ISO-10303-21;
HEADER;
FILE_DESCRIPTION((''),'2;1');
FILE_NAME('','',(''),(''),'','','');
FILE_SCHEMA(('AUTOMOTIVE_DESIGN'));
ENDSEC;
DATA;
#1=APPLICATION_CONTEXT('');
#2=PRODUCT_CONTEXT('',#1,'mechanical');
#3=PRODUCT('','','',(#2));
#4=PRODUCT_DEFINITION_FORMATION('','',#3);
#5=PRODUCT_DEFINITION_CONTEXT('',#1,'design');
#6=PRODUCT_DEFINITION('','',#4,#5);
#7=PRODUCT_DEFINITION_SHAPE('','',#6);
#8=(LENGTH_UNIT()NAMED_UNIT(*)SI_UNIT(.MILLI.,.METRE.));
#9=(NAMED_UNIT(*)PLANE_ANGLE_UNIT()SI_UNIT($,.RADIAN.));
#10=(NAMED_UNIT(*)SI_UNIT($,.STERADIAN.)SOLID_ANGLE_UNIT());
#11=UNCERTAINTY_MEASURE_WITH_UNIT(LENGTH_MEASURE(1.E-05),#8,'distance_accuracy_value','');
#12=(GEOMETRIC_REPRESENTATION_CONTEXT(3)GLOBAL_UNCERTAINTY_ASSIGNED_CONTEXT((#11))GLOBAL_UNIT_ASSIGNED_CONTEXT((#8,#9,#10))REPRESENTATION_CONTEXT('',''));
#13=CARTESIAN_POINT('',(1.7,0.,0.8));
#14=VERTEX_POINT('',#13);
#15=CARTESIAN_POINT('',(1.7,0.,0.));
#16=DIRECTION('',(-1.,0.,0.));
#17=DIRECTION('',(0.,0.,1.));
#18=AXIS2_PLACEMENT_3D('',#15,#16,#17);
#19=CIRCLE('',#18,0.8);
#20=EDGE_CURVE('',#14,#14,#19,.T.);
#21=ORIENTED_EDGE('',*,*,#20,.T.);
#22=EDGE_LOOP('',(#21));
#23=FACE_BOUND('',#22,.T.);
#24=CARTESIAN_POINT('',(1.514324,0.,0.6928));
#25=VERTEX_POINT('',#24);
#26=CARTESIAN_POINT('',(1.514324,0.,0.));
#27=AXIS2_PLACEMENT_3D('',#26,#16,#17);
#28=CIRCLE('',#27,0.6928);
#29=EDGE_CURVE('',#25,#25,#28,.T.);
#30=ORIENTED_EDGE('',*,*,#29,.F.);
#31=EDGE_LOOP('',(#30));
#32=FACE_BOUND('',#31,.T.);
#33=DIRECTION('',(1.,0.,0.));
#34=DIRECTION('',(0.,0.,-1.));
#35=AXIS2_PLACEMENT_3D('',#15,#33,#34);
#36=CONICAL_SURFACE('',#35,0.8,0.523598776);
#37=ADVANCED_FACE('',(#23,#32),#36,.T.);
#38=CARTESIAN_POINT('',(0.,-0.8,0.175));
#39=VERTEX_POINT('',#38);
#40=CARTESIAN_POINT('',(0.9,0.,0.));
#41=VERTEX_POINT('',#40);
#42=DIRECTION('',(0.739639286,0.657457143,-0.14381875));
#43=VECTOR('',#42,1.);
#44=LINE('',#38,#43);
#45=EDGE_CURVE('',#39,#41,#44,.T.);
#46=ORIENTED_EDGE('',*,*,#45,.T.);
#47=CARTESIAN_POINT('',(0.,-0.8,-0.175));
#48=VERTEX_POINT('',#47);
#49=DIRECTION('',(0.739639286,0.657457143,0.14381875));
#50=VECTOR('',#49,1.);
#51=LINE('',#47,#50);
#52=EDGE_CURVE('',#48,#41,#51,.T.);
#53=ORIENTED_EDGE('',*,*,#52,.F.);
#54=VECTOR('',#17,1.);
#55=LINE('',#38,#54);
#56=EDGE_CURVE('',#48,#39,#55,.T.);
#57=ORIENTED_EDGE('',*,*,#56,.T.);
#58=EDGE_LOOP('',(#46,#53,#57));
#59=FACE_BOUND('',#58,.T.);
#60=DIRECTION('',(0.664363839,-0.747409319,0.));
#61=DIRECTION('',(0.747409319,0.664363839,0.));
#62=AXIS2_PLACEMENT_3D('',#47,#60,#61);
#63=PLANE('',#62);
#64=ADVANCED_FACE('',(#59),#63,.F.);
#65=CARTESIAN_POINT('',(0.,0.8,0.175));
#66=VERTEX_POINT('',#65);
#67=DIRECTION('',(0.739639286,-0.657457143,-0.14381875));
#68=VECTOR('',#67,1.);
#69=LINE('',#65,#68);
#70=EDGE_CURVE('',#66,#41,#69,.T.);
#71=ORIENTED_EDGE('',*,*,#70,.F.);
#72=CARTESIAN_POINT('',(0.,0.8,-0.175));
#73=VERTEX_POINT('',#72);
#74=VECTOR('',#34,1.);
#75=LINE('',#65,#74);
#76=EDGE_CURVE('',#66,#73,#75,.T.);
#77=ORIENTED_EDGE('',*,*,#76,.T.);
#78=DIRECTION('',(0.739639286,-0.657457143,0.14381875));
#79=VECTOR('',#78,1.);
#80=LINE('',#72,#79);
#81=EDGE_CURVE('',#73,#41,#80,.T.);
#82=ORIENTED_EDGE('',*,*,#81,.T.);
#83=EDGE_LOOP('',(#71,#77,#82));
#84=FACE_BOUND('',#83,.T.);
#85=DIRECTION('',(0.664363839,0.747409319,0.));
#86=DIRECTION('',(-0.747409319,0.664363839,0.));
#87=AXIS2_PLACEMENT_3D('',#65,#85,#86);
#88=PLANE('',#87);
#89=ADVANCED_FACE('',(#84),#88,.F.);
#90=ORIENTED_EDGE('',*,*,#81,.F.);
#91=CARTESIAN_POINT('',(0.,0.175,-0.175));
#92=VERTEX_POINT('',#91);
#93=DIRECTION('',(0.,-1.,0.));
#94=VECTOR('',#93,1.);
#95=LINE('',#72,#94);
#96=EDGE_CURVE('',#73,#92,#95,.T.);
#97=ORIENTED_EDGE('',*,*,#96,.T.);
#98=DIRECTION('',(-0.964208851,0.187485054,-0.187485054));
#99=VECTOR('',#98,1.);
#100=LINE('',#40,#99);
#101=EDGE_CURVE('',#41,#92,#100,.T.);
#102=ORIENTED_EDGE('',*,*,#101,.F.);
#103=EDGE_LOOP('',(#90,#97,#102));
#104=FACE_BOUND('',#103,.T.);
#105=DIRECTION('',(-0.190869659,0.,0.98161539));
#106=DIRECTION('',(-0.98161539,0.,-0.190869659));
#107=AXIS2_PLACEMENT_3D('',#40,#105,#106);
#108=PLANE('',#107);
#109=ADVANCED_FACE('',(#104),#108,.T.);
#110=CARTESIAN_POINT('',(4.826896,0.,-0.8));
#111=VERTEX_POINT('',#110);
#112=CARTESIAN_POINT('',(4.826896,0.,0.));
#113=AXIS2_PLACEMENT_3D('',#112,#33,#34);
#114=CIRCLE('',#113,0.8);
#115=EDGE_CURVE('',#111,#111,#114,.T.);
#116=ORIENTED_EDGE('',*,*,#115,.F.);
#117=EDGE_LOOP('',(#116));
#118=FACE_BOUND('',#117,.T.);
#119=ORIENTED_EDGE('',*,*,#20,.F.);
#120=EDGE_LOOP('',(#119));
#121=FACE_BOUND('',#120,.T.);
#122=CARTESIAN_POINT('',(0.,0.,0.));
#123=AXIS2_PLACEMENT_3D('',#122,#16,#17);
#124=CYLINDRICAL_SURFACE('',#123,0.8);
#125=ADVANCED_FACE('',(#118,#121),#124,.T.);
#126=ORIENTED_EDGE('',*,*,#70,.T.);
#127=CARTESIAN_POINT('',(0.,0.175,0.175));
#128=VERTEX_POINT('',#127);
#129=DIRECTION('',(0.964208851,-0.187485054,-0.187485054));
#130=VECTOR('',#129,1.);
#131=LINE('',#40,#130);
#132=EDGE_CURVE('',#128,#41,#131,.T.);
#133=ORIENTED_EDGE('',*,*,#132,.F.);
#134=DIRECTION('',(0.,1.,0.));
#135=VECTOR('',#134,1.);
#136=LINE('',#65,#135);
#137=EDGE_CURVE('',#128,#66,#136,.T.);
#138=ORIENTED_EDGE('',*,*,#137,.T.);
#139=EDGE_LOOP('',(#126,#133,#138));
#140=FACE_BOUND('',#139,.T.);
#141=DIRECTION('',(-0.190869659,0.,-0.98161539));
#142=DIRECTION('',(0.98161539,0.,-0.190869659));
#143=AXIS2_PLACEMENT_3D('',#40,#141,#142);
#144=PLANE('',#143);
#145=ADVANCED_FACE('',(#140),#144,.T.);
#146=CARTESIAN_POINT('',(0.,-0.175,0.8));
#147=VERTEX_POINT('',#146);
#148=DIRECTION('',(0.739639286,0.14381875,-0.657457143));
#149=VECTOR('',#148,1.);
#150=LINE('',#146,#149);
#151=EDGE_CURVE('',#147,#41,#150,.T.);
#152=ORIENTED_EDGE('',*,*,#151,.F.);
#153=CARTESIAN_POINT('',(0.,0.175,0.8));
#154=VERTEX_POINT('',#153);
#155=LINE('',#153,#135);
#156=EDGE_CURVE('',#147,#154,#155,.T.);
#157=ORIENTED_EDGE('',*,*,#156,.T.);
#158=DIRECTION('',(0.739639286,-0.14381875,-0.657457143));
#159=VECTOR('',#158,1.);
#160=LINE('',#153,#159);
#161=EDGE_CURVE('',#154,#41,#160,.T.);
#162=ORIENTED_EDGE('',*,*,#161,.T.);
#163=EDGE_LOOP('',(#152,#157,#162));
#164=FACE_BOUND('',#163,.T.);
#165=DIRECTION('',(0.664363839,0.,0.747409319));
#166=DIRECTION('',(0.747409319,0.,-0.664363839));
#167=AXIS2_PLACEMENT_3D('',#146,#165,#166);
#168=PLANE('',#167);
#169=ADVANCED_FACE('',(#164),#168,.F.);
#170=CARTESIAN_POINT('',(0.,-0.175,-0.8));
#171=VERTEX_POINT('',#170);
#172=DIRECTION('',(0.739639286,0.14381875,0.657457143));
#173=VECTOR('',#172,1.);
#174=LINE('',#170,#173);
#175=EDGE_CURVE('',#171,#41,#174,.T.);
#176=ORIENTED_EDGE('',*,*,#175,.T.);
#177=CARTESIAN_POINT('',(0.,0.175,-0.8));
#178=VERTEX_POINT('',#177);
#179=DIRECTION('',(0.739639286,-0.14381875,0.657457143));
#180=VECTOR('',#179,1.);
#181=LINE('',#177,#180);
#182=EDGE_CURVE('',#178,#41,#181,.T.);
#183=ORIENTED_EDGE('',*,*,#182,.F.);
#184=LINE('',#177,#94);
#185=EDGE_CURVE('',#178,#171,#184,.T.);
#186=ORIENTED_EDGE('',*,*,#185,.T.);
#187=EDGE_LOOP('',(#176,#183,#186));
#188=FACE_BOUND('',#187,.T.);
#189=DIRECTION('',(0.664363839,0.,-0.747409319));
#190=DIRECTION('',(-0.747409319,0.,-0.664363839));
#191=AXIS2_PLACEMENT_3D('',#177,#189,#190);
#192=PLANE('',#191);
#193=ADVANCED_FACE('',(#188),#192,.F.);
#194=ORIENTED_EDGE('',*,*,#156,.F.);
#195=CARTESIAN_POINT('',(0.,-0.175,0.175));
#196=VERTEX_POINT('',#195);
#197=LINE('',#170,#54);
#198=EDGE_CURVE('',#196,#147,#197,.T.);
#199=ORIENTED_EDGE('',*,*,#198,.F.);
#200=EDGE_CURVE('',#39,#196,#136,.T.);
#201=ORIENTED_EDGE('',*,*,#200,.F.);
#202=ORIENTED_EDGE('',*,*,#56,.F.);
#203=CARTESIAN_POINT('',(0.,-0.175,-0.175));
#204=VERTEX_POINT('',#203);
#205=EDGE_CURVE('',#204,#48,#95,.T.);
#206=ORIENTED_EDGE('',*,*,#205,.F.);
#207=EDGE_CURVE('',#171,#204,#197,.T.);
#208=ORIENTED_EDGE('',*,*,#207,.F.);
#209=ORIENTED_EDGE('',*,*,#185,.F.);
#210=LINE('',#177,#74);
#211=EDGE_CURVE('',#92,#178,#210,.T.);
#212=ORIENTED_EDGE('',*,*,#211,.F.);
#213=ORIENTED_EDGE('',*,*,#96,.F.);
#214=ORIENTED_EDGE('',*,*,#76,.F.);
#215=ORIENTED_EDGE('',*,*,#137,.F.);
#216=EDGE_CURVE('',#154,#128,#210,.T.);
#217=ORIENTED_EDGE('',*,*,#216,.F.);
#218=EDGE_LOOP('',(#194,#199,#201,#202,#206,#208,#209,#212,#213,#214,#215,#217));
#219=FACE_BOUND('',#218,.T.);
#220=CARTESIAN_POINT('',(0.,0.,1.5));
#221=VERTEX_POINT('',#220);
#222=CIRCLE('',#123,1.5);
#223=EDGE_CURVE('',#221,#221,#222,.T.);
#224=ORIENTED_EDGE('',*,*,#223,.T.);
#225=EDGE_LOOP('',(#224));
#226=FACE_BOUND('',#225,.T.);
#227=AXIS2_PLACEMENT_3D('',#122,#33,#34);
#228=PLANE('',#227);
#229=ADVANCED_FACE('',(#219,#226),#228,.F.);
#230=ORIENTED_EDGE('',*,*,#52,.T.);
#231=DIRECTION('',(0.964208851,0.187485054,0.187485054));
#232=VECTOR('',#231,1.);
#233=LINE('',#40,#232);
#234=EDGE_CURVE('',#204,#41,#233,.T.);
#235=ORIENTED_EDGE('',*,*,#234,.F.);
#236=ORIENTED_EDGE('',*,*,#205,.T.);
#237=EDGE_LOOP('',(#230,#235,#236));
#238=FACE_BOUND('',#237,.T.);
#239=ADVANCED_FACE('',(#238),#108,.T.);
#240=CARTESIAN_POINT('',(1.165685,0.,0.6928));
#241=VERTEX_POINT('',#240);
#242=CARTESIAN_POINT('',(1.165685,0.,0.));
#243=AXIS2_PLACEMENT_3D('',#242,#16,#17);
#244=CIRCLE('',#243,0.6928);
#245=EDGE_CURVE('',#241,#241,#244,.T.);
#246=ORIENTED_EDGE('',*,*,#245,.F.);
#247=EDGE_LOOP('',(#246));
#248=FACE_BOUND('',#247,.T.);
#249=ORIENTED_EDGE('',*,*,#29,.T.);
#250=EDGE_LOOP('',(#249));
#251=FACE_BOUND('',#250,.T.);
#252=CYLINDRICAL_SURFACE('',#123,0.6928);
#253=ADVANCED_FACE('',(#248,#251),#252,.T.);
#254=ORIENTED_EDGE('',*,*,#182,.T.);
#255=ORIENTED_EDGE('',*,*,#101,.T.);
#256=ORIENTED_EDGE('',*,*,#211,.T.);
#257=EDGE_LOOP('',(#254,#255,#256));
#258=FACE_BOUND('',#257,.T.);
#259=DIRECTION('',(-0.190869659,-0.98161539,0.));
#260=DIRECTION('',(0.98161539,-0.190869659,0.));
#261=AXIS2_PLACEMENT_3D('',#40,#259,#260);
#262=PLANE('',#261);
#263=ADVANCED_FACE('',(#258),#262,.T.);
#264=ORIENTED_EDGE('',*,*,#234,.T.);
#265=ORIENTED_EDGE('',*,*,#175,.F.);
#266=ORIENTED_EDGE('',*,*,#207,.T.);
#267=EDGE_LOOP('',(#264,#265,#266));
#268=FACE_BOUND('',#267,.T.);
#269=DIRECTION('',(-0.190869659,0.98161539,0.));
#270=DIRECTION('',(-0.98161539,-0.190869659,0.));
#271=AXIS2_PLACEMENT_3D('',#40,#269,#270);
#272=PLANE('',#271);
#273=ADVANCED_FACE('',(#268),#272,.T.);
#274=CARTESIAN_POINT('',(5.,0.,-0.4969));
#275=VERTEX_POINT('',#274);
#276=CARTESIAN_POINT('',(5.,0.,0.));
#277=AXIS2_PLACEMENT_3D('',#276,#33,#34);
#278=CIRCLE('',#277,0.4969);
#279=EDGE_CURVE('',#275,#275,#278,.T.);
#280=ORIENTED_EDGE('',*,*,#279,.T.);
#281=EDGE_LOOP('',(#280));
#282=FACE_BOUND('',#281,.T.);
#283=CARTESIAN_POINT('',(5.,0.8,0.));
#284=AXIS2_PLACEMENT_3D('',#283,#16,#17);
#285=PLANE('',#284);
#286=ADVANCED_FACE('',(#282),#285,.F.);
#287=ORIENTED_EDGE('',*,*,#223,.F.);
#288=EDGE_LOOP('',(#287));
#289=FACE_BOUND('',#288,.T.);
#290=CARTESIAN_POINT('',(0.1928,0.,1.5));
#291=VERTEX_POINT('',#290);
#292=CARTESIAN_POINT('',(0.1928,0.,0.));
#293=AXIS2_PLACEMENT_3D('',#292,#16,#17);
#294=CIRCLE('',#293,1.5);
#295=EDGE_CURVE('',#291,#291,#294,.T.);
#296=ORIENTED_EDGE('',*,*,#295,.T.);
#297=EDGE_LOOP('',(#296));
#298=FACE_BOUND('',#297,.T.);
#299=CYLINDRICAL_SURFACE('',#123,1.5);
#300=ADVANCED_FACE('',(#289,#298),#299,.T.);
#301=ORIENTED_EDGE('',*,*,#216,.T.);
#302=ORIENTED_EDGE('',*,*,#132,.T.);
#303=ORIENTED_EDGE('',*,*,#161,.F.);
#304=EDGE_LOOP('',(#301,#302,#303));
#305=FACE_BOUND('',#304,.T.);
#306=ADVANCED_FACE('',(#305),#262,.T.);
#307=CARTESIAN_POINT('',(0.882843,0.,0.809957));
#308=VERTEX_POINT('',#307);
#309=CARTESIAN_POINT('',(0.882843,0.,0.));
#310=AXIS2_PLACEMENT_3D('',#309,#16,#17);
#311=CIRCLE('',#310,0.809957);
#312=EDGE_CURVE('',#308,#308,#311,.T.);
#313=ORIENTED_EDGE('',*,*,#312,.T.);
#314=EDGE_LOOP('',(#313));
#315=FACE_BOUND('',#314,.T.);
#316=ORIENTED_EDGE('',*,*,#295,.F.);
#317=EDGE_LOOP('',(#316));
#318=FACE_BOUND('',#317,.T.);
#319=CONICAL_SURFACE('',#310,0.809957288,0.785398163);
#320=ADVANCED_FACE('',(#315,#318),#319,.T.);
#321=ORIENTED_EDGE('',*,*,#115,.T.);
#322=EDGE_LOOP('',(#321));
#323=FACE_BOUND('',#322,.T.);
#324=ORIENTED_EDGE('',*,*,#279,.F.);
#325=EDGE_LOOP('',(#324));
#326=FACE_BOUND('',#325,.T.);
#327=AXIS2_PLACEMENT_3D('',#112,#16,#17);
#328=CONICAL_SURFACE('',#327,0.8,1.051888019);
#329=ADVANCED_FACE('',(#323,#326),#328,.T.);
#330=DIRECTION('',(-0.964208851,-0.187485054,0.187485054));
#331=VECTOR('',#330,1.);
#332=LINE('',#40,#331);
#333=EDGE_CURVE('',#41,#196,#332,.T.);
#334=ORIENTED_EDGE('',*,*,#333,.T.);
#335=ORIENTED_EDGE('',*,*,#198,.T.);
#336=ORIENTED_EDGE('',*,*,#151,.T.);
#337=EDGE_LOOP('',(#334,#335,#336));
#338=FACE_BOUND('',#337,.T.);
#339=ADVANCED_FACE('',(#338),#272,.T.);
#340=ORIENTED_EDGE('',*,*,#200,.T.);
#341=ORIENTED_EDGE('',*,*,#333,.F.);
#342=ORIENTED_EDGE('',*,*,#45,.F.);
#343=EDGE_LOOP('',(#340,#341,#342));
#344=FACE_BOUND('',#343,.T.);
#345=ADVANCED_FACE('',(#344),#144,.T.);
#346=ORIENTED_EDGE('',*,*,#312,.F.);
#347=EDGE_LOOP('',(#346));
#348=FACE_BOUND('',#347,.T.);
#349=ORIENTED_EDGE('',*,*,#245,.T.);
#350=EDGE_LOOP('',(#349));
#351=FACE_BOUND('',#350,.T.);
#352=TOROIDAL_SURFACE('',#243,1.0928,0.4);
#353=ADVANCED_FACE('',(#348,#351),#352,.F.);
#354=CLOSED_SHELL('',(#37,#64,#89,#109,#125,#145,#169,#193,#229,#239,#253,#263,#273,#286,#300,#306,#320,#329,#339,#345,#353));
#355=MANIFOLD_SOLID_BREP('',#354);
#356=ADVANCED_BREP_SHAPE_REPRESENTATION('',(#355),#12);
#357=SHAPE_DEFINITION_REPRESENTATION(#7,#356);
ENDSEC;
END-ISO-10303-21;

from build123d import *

# Parameters (mm, degrees)
PATTERN_CIRCULAR_1_COUNT = 2
PATTERN_CIRCULAR_1_ANGLE = 90


with BuildPart() as part:
    # 草图1 → Revolve 689 (revolve)
    with BuildSketch(Plane.XY, mode=Mode.PRIVATE) as revolve_689_sk:
        with BuildLine():
            Line((0, 0), (0, 1.5))
            Line((0, 1.5), (0.1928, 1.5))
            Line((0.1928, 1.5), (0.882842712, 0.809957288))
            ThreePointArc((0.882842712, 0.809957288), (1.012612052, 0.723248187), (1.165685425, 0.6928))
            Line((1.165685425, 0.6928), (1.514324153, 0.6928))
            Line((1.514324153, 0.6928), (1.7, 0.8))
            Line((1.7, 0.8), (5, 0.8))
            Line((5, 0.8), (5, 0))
            Line((5, 0), (0, 0))
        make_face()
    revolve(revolve_689_sk.sketch.rotate(Axis((0, 0, 0), (1, 0, 0)), 90), axis=Axis((0, 0, 0), (1, 0, 0)))

    # 草图2 → 切除-旋转1 (revolve, cut)
    with BuildSketch(Plane.XY, mode=Mode.PRIVATE) as cut_revolve_1_sk:
        Polygon((4.826895602, 0.8), (5.176895602, 0.8), (5, 0.4969), align=None)
    revolve(cut_revolve_1_sk.sketch.rotate(Axis((0, 0, 0), (-1, 0, 0)), 270), axis=Axis((0, 0, 0), (-1, 0, 0)), mode=Mode.SUBTRACT)

    # 草图3 → 切除-放样1 section 0
    with BuildSketch(Plane.ZY, mode=Mode.PRIVATE) as loft_1_s0:
        with BuildLine():
            Line((-0.8, 0.175), (0.8, 0.175))
            Line((0.8, 0.175), (0.8, -0.175))
            Line((0.8, -0.175), (-0.8, -0.175))
            Line((-0.8, -0.175), (-0.8, 0.175))
        make_face()
    loft_1 = loft([loft_1_s0.sketch, Vertex(0.9, 0, 0)], mode=Mode.SUBTRACT)

    # 阵列(圆周)1: 切除-放样1 ×2 about axis
    pattern_circular_1_axis = Axis((0, 0, 0), (1, 0, 0))
    for i in range(1, PATTERN_CIRCULAR_1_COUNT):
        add(loft_1.rotate(pattern_circular_1_axis, i * PATTERN_CIRCULAR_1_ANGLE / (PATTERN_CIRCULAR_1_COUNT - 1)), mode=Mode.SUBTRACT)


solid = part.part
